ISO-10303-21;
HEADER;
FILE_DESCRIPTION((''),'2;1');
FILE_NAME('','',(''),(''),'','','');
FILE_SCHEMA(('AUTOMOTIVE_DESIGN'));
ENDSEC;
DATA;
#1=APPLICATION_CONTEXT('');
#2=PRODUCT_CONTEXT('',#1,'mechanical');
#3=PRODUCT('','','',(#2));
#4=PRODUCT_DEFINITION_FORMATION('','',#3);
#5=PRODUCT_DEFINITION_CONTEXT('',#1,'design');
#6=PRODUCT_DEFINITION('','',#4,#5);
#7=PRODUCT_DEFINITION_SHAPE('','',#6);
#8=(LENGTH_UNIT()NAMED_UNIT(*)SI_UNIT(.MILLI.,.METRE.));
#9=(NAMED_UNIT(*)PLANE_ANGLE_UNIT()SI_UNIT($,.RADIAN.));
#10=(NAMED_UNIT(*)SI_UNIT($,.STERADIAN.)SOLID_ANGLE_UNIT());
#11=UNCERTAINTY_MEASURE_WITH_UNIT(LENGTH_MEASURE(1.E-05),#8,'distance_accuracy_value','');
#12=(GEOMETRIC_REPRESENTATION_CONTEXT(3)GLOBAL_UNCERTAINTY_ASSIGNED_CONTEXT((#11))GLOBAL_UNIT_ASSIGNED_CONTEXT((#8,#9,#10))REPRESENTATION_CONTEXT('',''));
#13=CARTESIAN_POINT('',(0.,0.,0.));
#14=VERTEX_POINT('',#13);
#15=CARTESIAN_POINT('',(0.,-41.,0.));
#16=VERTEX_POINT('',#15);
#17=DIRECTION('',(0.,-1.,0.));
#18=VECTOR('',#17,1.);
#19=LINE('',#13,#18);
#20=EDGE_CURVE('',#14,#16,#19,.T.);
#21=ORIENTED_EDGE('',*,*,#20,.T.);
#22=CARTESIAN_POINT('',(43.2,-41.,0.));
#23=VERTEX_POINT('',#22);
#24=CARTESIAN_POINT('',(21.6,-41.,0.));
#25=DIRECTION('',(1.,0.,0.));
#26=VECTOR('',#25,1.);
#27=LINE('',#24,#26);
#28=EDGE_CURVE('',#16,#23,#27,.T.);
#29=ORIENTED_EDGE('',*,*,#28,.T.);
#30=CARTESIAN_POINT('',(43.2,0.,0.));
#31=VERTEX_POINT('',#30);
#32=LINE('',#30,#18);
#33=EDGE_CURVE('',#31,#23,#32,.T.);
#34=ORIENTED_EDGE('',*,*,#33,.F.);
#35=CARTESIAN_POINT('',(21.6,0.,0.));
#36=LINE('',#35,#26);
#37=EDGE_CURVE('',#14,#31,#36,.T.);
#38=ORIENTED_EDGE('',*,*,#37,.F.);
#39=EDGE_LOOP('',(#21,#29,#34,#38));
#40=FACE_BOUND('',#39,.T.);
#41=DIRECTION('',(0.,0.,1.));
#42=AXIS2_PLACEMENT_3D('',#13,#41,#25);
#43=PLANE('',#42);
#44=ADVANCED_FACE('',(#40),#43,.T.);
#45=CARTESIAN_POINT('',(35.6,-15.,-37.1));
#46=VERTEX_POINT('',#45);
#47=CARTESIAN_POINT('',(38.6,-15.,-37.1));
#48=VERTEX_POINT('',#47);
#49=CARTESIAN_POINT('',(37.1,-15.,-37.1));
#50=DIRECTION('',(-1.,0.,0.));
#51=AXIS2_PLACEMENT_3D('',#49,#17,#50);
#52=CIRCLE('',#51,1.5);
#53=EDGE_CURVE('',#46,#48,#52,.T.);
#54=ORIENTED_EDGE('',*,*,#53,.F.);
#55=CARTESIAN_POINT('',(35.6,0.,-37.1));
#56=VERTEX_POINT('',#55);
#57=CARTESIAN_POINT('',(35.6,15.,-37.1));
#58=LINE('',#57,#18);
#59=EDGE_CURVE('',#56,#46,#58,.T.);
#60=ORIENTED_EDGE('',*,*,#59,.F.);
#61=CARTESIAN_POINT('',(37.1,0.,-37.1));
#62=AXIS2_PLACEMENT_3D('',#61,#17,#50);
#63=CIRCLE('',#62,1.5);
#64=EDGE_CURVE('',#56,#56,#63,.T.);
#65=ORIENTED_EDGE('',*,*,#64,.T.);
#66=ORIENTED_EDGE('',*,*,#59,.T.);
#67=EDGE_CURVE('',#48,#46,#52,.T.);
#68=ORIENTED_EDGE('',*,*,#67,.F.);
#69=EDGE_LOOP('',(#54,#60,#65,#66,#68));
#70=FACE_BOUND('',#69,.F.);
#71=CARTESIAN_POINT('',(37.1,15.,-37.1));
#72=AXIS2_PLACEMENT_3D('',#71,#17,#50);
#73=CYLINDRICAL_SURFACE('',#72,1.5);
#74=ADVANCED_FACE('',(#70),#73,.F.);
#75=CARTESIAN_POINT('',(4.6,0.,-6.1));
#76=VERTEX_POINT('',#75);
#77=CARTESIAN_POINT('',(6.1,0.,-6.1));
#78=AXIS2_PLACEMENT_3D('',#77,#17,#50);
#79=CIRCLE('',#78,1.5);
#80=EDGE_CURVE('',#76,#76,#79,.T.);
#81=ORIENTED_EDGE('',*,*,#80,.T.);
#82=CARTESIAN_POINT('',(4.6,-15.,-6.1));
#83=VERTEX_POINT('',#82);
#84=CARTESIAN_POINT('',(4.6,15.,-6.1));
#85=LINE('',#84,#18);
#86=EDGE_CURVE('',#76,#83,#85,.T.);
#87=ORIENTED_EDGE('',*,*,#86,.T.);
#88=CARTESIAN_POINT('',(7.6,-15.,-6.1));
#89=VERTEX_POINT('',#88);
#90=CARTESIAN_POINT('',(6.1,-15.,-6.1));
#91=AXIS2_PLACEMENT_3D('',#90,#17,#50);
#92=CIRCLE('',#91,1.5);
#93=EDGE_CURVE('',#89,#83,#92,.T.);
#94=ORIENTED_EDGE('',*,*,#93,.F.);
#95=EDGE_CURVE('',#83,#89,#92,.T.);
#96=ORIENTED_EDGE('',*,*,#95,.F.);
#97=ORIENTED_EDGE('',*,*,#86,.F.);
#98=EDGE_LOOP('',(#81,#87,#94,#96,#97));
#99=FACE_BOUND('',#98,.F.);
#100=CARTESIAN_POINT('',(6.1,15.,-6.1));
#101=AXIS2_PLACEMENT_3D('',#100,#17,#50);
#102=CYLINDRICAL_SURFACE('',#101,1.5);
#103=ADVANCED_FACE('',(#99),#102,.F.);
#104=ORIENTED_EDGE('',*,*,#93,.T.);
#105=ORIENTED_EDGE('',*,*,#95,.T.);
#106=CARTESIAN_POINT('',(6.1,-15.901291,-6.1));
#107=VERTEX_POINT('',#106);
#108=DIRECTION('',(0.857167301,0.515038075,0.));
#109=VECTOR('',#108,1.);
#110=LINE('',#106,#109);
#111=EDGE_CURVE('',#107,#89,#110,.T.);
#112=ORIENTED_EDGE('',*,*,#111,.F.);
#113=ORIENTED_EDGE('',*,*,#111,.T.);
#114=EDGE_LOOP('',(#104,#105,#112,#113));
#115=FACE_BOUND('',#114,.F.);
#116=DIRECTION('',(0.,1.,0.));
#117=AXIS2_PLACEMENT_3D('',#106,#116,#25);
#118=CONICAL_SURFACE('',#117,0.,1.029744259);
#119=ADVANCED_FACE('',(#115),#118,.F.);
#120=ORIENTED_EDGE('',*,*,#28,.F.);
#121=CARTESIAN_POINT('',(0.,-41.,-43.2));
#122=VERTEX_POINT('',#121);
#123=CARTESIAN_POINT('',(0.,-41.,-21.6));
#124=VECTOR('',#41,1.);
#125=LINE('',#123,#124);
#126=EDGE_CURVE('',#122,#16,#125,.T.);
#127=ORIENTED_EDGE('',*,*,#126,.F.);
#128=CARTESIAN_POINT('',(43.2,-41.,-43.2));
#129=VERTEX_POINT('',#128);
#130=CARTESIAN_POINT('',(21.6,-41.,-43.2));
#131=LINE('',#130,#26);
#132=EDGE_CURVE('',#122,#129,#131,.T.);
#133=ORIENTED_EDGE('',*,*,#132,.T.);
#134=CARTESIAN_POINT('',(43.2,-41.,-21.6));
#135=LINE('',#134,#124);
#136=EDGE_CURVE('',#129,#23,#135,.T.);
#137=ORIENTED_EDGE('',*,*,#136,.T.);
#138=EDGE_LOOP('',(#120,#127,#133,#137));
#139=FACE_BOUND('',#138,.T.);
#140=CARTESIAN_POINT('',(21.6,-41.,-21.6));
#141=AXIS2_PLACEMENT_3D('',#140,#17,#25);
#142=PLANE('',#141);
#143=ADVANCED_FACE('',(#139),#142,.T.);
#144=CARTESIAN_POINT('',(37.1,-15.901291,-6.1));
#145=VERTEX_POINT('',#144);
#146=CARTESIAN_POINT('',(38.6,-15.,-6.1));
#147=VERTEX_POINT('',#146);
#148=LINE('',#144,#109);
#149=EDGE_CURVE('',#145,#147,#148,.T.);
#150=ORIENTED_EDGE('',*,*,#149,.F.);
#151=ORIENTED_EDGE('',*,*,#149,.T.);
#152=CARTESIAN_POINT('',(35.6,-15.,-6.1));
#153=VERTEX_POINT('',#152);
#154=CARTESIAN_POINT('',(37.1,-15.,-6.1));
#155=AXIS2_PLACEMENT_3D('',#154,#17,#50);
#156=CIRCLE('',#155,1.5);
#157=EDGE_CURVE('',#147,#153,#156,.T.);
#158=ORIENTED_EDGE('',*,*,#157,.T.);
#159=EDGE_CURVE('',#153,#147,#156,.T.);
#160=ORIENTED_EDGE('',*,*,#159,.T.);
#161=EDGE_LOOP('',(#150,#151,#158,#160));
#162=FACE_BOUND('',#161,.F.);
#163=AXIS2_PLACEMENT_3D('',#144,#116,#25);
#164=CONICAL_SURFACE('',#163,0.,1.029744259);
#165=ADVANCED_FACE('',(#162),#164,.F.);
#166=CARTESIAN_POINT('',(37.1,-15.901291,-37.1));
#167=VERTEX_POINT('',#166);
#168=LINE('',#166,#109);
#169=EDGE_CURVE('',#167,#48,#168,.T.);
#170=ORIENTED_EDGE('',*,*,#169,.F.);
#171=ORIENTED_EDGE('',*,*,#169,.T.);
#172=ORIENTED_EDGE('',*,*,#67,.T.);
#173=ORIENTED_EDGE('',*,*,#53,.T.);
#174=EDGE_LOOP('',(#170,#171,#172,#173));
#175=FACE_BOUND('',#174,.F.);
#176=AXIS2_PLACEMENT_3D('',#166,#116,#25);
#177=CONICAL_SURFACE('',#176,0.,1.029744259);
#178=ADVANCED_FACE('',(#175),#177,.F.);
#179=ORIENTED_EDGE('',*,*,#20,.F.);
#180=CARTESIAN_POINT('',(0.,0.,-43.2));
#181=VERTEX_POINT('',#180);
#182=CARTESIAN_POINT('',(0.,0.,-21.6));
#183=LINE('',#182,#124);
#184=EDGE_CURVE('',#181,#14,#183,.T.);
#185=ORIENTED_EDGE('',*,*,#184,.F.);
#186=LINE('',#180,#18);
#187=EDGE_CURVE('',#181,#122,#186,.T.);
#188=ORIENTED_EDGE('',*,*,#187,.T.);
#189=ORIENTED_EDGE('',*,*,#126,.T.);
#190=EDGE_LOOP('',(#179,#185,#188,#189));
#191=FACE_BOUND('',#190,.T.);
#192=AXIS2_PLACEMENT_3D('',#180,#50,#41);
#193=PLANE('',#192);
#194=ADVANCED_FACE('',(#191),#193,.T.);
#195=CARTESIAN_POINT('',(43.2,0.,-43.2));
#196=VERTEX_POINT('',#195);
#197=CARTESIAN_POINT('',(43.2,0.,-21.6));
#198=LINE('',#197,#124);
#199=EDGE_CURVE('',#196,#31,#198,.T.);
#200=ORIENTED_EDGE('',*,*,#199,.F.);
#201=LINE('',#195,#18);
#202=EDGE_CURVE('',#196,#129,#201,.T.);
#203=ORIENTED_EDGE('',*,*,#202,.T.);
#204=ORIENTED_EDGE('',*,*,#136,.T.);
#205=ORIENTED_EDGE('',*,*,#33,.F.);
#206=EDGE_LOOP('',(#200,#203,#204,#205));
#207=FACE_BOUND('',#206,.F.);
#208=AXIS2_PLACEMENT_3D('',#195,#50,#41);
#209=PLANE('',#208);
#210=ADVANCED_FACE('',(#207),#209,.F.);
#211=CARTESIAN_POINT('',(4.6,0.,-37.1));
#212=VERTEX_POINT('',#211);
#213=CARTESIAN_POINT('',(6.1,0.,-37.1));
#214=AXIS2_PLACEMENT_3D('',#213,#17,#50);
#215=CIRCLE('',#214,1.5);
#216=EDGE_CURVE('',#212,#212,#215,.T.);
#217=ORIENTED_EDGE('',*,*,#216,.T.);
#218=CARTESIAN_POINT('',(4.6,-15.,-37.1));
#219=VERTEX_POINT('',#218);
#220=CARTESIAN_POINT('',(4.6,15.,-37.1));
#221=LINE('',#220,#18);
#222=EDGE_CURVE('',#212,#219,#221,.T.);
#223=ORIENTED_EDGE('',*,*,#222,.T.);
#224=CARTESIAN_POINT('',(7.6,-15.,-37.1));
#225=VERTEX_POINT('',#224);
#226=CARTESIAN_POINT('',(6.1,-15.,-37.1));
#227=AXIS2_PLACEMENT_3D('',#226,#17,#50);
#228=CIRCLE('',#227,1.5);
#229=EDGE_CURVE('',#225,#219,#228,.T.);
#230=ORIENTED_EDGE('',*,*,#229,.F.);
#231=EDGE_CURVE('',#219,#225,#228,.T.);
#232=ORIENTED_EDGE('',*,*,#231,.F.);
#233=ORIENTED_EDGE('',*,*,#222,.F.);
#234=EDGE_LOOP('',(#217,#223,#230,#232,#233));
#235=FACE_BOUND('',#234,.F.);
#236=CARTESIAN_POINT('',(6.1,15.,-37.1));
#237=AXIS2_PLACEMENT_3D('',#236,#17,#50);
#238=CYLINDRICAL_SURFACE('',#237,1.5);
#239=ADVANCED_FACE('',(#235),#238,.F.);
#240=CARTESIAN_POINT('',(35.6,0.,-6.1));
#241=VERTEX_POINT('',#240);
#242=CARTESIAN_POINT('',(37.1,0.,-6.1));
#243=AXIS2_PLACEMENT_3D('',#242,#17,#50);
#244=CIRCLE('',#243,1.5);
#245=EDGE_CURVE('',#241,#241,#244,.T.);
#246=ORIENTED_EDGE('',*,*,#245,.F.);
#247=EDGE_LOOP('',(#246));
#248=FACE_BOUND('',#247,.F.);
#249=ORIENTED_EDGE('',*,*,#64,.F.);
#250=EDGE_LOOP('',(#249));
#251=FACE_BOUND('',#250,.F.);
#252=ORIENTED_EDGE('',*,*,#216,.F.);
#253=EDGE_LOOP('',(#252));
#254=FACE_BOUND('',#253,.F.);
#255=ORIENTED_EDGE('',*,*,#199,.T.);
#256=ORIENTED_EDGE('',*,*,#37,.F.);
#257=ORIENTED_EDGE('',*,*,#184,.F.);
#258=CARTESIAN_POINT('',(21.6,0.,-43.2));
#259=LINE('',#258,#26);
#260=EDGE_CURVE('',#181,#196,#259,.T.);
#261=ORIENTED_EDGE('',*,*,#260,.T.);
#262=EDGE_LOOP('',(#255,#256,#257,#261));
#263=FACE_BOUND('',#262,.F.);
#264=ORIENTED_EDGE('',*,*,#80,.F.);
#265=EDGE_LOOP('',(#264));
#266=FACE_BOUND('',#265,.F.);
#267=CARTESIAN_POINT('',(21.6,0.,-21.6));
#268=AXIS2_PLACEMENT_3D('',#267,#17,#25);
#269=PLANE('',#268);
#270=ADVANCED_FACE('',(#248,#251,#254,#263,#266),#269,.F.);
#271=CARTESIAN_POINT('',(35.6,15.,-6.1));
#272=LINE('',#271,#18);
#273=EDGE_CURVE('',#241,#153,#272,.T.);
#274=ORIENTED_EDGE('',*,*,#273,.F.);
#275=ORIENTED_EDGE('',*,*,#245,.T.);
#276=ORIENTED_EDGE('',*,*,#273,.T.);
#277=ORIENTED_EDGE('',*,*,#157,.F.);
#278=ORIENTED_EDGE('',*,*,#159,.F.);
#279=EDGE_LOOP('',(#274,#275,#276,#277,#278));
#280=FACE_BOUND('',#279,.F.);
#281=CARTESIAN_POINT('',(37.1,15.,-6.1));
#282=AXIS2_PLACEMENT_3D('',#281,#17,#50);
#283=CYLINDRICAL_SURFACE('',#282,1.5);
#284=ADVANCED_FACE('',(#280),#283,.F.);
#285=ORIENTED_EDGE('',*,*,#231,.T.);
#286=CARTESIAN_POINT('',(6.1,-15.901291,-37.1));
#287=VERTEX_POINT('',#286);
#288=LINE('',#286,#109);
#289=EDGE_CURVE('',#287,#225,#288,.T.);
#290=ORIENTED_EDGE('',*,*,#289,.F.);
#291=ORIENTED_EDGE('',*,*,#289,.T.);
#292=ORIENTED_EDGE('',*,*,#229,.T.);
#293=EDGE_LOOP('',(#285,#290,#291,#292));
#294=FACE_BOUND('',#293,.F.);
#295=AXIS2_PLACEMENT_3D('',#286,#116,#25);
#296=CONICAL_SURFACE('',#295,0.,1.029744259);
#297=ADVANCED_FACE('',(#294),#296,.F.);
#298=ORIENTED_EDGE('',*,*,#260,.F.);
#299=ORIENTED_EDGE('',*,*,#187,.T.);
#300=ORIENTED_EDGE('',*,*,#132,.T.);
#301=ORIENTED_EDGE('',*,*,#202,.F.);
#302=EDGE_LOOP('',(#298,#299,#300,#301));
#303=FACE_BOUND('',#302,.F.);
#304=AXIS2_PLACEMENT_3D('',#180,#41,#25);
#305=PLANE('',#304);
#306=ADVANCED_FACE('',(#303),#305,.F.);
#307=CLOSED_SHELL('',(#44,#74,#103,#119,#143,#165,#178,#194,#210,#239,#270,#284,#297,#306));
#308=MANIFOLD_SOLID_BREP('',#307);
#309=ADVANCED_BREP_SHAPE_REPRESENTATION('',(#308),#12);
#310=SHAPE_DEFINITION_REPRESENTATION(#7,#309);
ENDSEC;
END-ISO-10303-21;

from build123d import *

# Parameters (mm, degrees)
F0_W     = 43.2
F0_H     = 43.2
F1_DEPTH = 41
F2_D     = 3
F2_DEPTH = 15
F2_TIP   = 0.9012909285


with BuildPart() as f1:
    # F0 (on Front) → F1 (new body)
    with BuildSketch(Plane.XZ):
        with Locations((21.6, -21.6)):
            Rectangle(F0_W, F0_H)
    extrude(amount=F1_DEPTH)

    # F2
    with Locations(Plane(origin=(0, 0, 0), x_dir=(1, 0, 0), z_dir=(0, 1, 0))):
        with Locations((37.1, 6.1), (6.1, 6.1), (6.1, 37.1), (37.1, 37.1)):
            Hole(F2_D / 2, depth=F2_DEPTH)
            with Locations((0, 0, -(F2_DEPTH + F2_TIP / 2))):  # 118° drill point
                Cone(0, F2_D / 2, F2_TIP, mode=Mode.SUBTRACT)


solid = f1.part
